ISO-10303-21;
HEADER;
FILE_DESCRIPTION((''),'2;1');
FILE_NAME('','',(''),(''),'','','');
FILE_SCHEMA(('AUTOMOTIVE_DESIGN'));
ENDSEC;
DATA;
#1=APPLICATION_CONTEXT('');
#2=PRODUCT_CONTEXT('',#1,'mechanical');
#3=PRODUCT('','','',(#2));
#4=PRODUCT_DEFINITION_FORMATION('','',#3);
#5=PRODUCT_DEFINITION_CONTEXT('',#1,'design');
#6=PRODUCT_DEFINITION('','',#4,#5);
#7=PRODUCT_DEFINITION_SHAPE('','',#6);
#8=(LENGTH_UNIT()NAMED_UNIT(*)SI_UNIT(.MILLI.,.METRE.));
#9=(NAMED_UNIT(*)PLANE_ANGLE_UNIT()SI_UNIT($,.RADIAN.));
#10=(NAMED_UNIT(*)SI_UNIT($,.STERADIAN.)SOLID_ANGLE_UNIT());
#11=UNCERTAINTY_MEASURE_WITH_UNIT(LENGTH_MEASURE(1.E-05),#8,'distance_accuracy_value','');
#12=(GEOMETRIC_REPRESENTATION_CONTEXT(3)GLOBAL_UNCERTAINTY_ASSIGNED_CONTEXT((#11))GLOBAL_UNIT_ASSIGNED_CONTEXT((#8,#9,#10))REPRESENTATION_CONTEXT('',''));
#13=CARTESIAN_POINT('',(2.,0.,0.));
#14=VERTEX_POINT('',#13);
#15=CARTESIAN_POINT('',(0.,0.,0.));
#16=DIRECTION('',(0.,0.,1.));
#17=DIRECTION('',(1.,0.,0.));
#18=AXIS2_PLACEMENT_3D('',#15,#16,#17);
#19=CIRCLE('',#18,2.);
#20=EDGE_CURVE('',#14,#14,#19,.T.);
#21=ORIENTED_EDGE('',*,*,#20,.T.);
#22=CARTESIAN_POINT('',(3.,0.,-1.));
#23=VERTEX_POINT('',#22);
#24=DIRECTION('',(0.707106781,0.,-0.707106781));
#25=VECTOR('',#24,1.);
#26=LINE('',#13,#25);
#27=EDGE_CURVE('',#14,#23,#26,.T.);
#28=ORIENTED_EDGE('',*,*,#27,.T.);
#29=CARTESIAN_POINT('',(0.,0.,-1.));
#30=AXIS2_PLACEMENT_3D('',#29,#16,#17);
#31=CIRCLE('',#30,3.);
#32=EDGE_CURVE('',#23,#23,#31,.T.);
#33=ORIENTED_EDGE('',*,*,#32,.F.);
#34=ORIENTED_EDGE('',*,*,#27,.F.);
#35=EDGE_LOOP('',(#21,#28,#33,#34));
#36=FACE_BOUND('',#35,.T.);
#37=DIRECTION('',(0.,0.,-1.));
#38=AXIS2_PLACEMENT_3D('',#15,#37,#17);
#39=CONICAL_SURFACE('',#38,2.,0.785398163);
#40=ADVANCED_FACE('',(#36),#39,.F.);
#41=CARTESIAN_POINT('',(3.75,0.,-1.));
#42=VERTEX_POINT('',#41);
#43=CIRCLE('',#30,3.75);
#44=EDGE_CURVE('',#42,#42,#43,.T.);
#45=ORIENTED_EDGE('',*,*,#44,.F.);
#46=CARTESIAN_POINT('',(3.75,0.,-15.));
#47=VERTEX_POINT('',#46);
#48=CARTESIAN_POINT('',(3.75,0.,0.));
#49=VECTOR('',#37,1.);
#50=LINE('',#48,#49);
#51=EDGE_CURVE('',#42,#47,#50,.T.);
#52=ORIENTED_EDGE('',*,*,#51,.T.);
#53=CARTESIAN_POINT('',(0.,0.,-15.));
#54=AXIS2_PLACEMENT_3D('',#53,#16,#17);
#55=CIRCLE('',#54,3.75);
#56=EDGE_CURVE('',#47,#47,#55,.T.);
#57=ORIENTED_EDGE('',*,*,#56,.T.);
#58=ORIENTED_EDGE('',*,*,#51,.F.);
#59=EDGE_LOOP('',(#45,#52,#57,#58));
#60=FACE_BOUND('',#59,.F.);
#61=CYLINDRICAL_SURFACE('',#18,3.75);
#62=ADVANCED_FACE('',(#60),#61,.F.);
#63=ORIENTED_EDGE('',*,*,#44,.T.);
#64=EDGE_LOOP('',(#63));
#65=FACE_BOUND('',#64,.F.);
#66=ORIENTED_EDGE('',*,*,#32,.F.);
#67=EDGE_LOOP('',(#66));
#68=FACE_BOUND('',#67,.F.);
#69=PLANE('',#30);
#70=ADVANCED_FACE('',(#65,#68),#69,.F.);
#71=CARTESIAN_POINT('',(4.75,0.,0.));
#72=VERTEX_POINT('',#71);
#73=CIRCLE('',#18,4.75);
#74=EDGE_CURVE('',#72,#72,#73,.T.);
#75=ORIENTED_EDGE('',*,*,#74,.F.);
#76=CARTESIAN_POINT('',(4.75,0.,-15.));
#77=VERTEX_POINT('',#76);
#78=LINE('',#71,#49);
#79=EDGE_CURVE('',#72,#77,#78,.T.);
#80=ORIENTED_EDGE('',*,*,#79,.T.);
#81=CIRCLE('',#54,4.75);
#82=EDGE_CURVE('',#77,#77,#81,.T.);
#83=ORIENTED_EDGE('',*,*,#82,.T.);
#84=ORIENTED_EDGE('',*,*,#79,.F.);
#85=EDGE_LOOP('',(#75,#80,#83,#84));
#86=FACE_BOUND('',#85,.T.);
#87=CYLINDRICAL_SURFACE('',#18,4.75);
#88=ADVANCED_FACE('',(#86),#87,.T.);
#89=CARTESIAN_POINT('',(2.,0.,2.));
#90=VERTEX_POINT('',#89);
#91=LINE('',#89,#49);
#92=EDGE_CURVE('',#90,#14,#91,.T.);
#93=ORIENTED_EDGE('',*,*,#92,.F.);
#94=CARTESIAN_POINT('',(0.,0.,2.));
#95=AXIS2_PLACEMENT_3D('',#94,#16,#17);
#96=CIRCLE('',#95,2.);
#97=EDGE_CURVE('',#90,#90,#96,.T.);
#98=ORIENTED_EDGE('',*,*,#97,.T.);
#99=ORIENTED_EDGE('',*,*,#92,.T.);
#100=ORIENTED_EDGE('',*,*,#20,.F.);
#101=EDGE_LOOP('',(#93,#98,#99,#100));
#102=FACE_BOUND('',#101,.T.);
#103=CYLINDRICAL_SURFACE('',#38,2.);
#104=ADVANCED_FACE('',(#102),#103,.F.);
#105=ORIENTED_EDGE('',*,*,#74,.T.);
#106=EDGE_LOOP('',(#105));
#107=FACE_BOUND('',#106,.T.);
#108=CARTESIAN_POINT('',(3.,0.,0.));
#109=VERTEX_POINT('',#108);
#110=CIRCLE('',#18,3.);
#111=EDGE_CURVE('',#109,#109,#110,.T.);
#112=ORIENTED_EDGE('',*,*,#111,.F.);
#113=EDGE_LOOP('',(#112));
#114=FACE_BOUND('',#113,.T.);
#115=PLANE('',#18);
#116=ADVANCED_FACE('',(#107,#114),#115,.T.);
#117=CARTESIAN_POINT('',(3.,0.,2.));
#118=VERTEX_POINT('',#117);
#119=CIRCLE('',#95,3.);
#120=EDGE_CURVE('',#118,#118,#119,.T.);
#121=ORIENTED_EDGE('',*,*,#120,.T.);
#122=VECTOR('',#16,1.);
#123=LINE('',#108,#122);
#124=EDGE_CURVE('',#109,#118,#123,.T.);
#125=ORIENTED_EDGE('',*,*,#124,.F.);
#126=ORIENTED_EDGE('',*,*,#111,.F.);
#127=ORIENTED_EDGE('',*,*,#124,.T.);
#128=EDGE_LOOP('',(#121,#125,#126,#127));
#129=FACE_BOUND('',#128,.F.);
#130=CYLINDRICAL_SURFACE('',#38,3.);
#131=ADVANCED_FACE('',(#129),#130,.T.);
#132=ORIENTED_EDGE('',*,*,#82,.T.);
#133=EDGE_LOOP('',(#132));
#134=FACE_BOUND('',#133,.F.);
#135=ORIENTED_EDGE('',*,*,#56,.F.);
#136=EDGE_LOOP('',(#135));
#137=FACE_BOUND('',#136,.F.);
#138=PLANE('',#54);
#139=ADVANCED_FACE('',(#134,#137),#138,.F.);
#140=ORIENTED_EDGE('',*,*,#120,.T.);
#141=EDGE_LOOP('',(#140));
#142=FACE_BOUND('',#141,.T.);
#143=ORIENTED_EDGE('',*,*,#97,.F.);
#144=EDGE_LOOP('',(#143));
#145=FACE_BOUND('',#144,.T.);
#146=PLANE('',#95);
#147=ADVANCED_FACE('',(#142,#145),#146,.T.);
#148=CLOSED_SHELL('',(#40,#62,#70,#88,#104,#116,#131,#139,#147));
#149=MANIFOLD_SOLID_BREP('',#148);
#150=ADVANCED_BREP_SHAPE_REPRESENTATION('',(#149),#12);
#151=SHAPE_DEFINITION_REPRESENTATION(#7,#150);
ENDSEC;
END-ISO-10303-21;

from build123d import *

# Parameters (mm, degrees)
F0_R     = 4.75
F0_R_2   = 3.75
F1_DEPTH = 15
F0_R_3   = 3
F0_R_4   = 2
F2_DEPTH = 1
F3_DEPTH = 2
F4_SIZE2 = 1
F4_SIZE  = 1


with BuildPart() as f1:
    # F0 (on Top) → F1 (new body)
    with BuildSketch(Plane.XY):
        Circle(F0_R)
        Circle(F0_R_2, mode=Mode.SUBTRACT)
    extrude(amount=-F1_DEPTH)

    # F0 (on Top) → F2 (join)
    with BuildSketch(Plane.XY):
        Circle(F0_R_2)
        Circle(F0_R_3, mode=Mode.SUBTRACT)
        Circle(F0_R_3)
        Circle(F0_R_4, mode=Mode.SUBTRACT)
    extrude(amount=-F2_DEPTH)

    # F0 (on Top) → F3 (join)
    with BuildSketch(Plane.XY):
        Circle(F0_R_3)
        Circle(F0_R_4, mode=Mode.SUBTRACT)
    extrude(amount=F3_DEPTH)

    # F4
    f4_edges = [f1.edges().sort_by_distance(p)[0] for p in [
        (-2, 0, -1),
    ]]
    chamfer(f4_edges, length=F4_SIZE, length2=F4_SIZE2)


solid = f1.part
